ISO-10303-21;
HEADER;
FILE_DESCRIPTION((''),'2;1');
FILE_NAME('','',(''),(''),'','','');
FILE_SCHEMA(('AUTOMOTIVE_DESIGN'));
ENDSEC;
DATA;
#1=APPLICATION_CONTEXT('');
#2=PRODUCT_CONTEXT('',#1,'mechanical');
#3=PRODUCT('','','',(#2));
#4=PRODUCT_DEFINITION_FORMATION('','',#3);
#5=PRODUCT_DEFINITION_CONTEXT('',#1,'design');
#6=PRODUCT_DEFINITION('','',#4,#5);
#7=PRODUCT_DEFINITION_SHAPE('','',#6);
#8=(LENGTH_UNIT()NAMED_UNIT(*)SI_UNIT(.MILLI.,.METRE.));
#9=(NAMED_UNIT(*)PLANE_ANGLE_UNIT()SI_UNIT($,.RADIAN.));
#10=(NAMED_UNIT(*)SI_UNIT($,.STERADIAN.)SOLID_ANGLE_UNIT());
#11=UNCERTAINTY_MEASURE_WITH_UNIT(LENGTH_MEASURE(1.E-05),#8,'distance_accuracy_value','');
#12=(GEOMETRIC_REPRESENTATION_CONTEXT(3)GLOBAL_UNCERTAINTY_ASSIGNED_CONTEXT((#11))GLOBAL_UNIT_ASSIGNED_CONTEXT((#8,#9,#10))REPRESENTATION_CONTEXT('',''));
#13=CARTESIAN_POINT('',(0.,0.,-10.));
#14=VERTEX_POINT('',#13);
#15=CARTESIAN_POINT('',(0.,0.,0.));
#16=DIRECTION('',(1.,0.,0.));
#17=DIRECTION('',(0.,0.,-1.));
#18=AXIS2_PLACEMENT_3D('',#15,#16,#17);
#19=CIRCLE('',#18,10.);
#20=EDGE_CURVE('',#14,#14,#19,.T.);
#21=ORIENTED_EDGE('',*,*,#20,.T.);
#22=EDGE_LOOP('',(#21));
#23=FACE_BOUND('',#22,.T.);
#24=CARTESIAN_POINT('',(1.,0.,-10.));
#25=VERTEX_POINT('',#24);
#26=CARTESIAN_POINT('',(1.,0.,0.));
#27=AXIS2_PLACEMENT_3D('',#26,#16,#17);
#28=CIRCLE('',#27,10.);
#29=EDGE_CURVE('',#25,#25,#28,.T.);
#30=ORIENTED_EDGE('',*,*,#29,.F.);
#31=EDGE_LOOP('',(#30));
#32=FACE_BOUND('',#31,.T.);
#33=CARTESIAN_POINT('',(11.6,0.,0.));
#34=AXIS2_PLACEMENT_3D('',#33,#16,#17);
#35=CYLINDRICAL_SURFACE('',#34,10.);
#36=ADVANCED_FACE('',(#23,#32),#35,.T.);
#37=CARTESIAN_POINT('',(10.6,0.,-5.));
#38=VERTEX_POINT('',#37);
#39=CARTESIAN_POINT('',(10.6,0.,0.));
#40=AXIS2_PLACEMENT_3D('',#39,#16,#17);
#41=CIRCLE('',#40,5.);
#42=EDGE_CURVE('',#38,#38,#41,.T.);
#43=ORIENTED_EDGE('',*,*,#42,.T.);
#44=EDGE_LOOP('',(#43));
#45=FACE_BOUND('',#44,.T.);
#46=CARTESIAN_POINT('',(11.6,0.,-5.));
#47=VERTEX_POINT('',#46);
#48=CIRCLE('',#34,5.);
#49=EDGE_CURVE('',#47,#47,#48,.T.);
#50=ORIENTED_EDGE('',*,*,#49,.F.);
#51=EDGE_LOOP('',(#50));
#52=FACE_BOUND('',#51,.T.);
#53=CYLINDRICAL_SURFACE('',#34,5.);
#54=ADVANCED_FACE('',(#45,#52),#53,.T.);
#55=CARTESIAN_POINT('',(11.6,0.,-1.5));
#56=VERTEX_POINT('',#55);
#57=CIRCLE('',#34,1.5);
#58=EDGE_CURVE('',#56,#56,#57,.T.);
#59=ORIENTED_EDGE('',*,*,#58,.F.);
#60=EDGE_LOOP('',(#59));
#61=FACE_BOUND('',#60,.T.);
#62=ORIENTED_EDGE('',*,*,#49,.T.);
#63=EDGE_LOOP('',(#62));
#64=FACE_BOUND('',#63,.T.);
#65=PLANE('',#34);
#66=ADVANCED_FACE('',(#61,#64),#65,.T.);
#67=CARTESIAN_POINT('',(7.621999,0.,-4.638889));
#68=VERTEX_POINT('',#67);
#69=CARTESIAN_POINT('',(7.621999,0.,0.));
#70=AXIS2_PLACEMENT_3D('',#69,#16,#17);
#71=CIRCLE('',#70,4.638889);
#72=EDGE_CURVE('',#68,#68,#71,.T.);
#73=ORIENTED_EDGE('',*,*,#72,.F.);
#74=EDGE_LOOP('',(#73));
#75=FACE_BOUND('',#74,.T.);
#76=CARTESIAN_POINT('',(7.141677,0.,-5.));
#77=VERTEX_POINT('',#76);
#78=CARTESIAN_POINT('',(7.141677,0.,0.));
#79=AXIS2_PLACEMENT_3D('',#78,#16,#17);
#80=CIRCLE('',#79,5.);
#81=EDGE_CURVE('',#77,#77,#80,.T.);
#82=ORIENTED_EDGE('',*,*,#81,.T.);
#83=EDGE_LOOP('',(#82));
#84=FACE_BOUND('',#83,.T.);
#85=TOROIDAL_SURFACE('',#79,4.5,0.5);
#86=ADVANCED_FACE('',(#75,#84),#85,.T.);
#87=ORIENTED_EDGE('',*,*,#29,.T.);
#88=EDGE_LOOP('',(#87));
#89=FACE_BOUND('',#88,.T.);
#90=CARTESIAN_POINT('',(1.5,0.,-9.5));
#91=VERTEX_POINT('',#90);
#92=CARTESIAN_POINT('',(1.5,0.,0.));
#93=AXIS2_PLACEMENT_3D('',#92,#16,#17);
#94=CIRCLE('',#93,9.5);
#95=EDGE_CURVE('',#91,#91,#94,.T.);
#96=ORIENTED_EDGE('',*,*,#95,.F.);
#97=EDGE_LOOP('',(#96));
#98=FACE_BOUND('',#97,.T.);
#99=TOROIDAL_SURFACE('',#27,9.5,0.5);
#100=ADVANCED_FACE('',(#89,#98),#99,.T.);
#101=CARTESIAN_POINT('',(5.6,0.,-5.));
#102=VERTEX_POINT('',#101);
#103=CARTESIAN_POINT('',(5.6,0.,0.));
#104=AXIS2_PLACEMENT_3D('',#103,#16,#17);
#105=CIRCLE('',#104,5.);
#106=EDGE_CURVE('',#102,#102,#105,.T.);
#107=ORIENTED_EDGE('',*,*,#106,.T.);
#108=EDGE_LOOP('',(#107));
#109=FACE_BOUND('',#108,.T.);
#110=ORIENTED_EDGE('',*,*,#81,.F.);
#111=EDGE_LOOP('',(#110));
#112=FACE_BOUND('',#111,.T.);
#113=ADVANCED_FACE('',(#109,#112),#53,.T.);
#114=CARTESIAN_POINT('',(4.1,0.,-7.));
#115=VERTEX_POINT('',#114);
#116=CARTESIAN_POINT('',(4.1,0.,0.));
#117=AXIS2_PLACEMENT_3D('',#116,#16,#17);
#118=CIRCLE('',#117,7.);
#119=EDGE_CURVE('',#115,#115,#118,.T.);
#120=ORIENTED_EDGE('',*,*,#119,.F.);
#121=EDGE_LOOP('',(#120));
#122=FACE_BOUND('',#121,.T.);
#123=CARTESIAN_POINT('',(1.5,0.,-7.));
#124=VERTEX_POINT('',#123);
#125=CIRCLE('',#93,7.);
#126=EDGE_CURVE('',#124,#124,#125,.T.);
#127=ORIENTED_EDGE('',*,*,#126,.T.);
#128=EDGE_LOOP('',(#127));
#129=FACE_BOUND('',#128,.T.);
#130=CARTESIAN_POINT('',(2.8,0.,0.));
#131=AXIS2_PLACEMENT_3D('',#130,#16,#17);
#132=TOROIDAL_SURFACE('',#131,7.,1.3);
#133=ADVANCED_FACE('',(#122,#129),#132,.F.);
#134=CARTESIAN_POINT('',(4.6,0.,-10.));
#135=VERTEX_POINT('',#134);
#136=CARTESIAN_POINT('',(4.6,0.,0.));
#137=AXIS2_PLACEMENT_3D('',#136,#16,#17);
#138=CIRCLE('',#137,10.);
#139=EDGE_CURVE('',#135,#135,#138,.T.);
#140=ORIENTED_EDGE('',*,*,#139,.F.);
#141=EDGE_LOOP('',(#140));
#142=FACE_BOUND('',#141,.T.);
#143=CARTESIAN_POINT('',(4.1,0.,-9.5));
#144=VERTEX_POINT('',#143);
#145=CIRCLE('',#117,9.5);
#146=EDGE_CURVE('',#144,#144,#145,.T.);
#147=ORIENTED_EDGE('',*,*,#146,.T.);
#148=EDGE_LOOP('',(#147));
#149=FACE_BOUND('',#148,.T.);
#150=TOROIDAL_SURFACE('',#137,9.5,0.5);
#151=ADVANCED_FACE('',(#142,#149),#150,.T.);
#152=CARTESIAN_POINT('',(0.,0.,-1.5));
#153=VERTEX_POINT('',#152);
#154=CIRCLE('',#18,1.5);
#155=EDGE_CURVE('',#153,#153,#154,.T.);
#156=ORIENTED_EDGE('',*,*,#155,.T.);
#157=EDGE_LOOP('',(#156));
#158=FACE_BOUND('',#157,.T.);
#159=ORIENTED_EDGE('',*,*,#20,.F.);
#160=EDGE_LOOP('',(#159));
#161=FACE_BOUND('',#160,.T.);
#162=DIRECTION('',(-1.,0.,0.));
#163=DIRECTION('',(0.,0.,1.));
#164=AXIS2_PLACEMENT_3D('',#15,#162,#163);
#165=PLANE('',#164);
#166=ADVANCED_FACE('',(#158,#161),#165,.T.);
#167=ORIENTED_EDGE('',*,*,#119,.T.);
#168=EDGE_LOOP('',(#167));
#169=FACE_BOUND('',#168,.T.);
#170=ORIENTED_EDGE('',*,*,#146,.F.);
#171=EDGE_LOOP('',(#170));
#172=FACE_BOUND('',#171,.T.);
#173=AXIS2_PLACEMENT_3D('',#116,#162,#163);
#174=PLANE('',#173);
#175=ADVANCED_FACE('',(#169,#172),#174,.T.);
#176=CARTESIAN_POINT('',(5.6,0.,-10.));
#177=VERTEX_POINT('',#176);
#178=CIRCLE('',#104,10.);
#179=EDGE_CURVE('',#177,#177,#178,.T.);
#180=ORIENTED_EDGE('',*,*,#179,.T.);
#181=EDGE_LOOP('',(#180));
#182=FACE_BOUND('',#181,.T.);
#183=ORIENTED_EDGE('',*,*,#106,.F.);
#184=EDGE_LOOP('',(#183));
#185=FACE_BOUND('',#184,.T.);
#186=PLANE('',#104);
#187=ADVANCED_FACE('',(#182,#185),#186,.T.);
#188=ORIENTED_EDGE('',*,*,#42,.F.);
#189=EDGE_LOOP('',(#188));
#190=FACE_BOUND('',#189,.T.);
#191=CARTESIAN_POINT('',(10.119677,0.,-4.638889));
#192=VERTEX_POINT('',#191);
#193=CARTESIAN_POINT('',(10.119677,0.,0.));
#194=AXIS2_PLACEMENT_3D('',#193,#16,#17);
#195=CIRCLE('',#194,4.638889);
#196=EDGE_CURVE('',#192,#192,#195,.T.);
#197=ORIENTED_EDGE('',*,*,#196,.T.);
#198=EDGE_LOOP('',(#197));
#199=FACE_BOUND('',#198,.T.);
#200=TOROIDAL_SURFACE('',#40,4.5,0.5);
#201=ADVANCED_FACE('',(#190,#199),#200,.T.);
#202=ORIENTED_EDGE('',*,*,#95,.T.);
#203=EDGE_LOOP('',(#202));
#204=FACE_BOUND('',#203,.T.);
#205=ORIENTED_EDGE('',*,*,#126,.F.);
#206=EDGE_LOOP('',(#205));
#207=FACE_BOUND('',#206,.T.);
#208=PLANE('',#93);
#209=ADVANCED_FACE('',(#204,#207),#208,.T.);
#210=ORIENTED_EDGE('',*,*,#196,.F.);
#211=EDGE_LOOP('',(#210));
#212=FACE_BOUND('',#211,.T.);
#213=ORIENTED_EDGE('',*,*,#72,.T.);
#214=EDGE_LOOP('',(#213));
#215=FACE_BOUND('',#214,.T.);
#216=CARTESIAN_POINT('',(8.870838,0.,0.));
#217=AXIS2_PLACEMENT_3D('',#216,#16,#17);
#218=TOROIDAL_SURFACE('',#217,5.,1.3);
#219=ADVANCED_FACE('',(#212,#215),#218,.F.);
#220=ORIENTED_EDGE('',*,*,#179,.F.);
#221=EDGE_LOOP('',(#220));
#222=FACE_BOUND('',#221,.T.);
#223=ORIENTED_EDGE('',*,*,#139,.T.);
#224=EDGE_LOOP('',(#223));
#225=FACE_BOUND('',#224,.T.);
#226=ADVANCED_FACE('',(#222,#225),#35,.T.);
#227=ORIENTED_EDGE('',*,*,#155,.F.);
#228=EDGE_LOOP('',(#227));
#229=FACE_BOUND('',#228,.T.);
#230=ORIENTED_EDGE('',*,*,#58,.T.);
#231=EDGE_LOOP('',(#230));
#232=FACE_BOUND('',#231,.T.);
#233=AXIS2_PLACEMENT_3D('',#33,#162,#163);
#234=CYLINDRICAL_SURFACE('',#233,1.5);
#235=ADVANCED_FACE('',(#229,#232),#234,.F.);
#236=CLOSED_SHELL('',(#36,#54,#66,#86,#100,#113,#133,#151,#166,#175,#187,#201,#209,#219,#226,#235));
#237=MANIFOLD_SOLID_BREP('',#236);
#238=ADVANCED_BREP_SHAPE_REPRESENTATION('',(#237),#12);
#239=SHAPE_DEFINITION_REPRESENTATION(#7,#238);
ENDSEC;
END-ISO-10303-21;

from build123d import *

# Parameters (mm, degrees)
SKETCH2_R          = 1.5
CUT_EXTRUDE2_DEPTH = 19.290981439


with BuildPart() as part:
    # Sketch1 → Revolve1 (revolve)
    with BuildSketch(Plane(origin=(0, 0, 0), x_dir=(-1, 0, 0), z_dir=(0, 1, 0))):
        with BuildLine():
            Line((-5.6, 5), (-5.6, 0))
            Line((-5.6, 0), (0, 0))
            Line((0, 0), (0, 10))
            Line((0, 10), (-1, 10))
            ThreePointArc((-1, 10), (-1.353553391, 9.853553391), (-1.5, 9.5))
            Line((-1.5, 9.5), (-1.5, 7))
            ThreePointArc((-1.5, 7), (-2.8, 5.7), (-4.1, 7))
            Line((-4.1, 7), (-4.1, 9.5))
            ThreePointArc((-4.1, 9.5), (-4.246446609, 9.853553391), (-4.6, 10))
            Line((-4.6, 10), (-5.6, 10))
            Line((-5.6, 10), (-5.6, 5))
        make_face()
    revolve(axis=Axis((11.6, 0, 0), (-1, 0, 0)))

    # Sketch1<3> → Revolve2 (revolve)
    with BuildSketch(Plane(origin=(0, 0, 0), x_dir=(-1, 0, 0), z_dir=(0, 1, 0))):
        with BuildLine():
            Line((-11.6, 5), (-11.6, 0))
            Line((-11.6, 0), (-5.6, 0))
            Line((-5.6, 0), (-5.6, 5))
            Line((-5.6, 5), (-7.141676707, 5))
            ThreePointArc((-7.141676707, 5), (-7.442139313, 4.899652627), (-7.621999386, 4.638888889))
            ThreePointArc((-7.621999386, 4.638888889), (-8.870838353, 3.7), (-10.11967732, 4.638888889))
            ThreePointArc((-10.11967732, 4.638888889), (-10.299537394, 4.899652627), (-10.6, 5))
            Line((-10.6, 5), (-11.6, 5))
        make_face()
    revolve(axis=Axis((11.6, 0, 0), (-1, 0, 0)))

    # Sketch2 → Cut-Extrude2 (cut, through all)
    with BuildSketch(Plane.YZ):
        Circle(SKETCH2_R)
    extrude(amount=CUT_EXTRUDE2_DEPTH, mode=Mode.SUBTRACT)


solid = part.part
